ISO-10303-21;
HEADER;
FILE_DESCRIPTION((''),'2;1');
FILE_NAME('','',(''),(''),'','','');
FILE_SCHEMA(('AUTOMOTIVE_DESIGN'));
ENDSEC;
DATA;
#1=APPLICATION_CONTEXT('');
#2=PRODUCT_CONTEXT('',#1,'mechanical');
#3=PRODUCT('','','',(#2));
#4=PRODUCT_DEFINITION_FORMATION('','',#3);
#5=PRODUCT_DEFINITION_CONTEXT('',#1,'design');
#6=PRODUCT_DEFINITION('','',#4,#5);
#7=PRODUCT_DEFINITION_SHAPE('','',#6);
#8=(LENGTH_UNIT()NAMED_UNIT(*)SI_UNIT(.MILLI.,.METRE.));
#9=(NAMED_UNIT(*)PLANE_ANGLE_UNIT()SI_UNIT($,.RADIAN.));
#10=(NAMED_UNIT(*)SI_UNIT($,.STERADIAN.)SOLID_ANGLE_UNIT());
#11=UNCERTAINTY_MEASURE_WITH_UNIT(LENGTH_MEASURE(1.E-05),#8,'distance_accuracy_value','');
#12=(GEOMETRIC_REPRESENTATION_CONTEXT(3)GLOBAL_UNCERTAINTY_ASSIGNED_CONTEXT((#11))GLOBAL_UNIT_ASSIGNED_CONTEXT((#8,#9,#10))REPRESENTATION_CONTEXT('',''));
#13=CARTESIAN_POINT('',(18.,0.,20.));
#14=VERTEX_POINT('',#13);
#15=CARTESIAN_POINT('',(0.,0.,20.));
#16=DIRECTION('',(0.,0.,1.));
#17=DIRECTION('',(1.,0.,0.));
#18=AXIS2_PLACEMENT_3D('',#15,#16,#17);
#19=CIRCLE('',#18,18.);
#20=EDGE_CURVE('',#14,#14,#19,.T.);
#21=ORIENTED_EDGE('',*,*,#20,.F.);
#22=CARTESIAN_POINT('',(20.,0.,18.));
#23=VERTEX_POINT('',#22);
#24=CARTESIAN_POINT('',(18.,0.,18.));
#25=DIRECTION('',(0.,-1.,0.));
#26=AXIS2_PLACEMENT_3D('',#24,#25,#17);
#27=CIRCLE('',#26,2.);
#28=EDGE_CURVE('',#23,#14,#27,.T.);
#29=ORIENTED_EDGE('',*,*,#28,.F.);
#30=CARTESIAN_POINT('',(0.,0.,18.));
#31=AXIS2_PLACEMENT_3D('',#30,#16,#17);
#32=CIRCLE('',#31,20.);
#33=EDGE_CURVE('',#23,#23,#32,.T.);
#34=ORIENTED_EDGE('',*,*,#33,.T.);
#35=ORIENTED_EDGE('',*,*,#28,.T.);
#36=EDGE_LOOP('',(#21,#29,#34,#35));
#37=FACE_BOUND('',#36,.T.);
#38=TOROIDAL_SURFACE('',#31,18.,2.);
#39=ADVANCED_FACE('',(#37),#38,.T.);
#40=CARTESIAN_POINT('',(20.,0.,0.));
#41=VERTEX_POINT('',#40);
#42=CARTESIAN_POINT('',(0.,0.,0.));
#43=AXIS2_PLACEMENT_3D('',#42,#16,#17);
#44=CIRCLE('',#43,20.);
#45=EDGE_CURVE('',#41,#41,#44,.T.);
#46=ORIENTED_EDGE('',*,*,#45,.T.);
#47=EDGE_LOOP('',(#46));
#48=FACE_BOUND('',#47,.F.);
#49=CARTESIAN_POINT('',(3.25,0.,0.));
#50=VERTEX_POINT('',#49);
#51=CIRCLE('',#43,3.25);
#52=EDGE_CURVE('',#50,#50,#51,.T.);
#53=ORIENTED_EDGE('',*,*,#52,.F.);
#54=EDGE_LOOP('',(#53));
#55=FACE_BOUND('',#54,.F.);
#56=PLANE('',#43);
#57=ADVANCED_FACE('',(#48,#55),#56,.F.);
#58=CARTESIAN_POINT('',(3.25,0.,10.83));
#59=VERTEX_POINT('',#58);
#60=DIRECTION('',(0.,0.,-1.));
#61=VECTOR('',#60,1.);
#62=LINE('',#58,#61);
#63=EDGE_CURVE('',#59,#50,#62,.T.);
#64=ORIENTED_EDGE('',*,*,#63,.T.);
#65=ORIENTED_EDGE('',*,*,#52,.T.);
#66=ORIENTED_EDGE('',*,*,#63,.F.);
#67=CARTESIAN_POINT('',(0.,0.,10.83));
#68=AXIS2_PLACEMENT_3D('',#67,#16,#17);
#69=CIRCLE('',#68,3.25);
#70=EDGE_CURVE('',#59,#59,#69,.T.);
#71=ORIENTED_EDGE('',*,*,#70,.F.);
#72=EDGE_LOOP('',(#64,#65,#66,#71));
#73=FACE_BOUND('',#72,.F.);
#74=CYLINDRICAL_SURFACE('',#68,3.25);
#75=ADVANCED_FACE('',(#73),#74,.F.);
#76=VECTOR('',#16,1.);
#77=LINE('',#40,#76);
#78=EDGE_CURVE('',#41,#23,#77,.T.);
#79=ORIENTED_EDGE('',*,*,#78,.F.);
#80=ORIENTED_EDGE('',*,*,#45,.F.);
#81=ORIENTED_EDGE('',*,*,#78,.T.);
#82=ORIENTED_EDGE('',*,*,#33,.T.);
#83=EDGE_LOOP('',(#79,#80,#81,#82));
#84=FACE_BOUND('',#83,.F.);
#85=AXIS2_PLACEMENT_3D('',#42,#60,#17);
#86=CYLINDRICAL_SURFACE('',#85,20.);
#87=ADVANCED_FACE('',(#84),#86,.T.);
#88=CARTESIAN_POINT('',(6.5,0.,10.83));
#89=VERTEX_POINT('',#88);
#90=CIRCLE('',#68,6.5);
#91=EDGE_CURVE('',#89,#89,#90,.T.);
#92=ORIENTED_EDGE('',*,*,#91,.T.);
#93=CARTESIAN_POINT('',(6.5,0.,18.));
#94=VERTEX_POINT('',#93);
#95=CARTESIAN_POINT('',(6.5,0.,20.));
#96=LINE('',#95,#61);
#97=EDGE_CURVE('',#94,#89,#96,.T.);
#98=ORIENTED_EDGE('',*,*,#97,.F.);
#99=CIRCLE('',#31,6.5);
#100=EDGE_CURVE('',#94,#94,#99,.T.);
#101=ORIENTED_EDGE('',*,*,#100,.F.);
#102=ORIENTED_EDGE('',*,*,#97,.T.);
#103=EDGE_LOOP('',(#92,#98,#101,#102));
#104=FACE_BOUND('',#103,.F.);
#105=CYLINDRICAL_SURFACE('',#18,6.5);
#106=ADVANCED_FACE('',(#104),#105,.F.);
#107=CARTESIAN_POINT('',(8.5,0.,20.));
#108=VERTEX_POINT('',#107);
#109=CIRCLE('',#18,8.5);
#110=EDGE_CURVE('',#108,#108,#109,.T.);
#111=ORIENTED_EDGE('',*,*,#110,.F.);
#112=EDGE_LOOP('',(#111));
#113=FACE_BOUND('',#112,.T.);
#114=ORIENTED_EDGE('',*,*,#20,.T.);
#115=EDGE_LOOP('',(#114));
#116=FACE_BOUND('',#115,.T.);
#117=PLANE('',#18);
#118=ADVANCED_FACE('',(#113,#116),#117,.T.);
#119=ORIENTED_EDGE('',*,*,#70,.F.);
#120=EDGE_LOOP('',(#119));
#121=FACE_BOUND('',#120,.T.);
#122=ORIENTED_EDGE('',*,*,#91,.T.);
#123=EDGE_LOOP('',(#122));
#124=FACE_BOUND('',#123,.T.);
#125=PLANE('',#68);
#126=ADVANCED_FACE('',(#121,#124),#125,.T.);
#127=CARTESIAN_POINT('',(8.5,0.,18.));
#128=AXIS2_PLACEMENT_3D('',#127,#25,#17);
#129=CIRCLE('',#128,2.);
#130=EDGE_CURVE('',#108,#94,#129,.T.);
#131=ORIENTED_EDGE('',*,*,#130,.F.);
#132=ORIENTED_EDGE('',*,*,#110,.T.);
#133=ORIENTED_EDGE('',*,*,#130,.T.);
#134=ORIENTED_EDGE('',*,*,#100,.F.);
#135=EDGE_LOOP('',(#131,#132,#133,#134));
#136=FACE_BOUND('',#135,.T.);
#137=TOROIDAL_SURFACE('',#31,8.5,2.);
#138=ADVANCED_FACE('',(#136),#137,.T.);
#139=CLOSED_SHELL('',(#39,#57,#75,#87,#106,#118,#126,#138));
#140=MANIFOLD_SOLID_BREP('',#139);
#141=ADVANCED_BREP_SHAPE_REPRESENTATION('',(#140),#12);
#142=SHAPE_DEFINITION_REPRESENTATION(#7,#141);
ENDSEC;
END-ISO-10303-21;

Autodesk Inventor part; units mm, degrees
ref_plane "YZ Plane" through (0, 0, 0) normal (1, 0, 0) x (0, 1, 0)
ref_plane "XZ Plane" through (0, 0, 0) normal (0, 1, 0) x (-1, 0, 0)
ref_plane "XY Plane" through (0, 0, 0) normal (0, 0, 1) x (1, 0, 0)
sketch "Sketch1" plane through (0, 0, 0) normal (0, 0, 1) x (1, 0, 0)
  circle A0 centre (0, 0) radius 20
  dimension "d0" = 40
extrude "Extrusion1" add sketch "Sketch1" along normal blind 20
sketch "Sketch2" plane through (0, 0, 20) normal (0, 0, 1) x (1, 0, 0)
  circle A0 centre (0, 0) radius 20 projected
  circle A1 centre (0, 0) radius 6.5
  dimension "d4" = 13
extrude "Extrusion2" cut sketch "Sketch2" against normal blind 9.17 contours A1
sketch "Sketch3" plane through (0, 0, 10.83) normal (0, 0, 1) x (1, 0, 0)
  circle A0 centre (0, 0) radius 6.5 projected
  circle A1 centre (0, 0) radius 3.25
  dimension "d8" = 6.5
extrude "Extrusion3" cut sketch "Sketch3" against normal through all contours A1
fillet "Fillet1" radius 2 2 edges at (-20, 0, 20) (-6.5, 0, 20)
properties part number "foot"
